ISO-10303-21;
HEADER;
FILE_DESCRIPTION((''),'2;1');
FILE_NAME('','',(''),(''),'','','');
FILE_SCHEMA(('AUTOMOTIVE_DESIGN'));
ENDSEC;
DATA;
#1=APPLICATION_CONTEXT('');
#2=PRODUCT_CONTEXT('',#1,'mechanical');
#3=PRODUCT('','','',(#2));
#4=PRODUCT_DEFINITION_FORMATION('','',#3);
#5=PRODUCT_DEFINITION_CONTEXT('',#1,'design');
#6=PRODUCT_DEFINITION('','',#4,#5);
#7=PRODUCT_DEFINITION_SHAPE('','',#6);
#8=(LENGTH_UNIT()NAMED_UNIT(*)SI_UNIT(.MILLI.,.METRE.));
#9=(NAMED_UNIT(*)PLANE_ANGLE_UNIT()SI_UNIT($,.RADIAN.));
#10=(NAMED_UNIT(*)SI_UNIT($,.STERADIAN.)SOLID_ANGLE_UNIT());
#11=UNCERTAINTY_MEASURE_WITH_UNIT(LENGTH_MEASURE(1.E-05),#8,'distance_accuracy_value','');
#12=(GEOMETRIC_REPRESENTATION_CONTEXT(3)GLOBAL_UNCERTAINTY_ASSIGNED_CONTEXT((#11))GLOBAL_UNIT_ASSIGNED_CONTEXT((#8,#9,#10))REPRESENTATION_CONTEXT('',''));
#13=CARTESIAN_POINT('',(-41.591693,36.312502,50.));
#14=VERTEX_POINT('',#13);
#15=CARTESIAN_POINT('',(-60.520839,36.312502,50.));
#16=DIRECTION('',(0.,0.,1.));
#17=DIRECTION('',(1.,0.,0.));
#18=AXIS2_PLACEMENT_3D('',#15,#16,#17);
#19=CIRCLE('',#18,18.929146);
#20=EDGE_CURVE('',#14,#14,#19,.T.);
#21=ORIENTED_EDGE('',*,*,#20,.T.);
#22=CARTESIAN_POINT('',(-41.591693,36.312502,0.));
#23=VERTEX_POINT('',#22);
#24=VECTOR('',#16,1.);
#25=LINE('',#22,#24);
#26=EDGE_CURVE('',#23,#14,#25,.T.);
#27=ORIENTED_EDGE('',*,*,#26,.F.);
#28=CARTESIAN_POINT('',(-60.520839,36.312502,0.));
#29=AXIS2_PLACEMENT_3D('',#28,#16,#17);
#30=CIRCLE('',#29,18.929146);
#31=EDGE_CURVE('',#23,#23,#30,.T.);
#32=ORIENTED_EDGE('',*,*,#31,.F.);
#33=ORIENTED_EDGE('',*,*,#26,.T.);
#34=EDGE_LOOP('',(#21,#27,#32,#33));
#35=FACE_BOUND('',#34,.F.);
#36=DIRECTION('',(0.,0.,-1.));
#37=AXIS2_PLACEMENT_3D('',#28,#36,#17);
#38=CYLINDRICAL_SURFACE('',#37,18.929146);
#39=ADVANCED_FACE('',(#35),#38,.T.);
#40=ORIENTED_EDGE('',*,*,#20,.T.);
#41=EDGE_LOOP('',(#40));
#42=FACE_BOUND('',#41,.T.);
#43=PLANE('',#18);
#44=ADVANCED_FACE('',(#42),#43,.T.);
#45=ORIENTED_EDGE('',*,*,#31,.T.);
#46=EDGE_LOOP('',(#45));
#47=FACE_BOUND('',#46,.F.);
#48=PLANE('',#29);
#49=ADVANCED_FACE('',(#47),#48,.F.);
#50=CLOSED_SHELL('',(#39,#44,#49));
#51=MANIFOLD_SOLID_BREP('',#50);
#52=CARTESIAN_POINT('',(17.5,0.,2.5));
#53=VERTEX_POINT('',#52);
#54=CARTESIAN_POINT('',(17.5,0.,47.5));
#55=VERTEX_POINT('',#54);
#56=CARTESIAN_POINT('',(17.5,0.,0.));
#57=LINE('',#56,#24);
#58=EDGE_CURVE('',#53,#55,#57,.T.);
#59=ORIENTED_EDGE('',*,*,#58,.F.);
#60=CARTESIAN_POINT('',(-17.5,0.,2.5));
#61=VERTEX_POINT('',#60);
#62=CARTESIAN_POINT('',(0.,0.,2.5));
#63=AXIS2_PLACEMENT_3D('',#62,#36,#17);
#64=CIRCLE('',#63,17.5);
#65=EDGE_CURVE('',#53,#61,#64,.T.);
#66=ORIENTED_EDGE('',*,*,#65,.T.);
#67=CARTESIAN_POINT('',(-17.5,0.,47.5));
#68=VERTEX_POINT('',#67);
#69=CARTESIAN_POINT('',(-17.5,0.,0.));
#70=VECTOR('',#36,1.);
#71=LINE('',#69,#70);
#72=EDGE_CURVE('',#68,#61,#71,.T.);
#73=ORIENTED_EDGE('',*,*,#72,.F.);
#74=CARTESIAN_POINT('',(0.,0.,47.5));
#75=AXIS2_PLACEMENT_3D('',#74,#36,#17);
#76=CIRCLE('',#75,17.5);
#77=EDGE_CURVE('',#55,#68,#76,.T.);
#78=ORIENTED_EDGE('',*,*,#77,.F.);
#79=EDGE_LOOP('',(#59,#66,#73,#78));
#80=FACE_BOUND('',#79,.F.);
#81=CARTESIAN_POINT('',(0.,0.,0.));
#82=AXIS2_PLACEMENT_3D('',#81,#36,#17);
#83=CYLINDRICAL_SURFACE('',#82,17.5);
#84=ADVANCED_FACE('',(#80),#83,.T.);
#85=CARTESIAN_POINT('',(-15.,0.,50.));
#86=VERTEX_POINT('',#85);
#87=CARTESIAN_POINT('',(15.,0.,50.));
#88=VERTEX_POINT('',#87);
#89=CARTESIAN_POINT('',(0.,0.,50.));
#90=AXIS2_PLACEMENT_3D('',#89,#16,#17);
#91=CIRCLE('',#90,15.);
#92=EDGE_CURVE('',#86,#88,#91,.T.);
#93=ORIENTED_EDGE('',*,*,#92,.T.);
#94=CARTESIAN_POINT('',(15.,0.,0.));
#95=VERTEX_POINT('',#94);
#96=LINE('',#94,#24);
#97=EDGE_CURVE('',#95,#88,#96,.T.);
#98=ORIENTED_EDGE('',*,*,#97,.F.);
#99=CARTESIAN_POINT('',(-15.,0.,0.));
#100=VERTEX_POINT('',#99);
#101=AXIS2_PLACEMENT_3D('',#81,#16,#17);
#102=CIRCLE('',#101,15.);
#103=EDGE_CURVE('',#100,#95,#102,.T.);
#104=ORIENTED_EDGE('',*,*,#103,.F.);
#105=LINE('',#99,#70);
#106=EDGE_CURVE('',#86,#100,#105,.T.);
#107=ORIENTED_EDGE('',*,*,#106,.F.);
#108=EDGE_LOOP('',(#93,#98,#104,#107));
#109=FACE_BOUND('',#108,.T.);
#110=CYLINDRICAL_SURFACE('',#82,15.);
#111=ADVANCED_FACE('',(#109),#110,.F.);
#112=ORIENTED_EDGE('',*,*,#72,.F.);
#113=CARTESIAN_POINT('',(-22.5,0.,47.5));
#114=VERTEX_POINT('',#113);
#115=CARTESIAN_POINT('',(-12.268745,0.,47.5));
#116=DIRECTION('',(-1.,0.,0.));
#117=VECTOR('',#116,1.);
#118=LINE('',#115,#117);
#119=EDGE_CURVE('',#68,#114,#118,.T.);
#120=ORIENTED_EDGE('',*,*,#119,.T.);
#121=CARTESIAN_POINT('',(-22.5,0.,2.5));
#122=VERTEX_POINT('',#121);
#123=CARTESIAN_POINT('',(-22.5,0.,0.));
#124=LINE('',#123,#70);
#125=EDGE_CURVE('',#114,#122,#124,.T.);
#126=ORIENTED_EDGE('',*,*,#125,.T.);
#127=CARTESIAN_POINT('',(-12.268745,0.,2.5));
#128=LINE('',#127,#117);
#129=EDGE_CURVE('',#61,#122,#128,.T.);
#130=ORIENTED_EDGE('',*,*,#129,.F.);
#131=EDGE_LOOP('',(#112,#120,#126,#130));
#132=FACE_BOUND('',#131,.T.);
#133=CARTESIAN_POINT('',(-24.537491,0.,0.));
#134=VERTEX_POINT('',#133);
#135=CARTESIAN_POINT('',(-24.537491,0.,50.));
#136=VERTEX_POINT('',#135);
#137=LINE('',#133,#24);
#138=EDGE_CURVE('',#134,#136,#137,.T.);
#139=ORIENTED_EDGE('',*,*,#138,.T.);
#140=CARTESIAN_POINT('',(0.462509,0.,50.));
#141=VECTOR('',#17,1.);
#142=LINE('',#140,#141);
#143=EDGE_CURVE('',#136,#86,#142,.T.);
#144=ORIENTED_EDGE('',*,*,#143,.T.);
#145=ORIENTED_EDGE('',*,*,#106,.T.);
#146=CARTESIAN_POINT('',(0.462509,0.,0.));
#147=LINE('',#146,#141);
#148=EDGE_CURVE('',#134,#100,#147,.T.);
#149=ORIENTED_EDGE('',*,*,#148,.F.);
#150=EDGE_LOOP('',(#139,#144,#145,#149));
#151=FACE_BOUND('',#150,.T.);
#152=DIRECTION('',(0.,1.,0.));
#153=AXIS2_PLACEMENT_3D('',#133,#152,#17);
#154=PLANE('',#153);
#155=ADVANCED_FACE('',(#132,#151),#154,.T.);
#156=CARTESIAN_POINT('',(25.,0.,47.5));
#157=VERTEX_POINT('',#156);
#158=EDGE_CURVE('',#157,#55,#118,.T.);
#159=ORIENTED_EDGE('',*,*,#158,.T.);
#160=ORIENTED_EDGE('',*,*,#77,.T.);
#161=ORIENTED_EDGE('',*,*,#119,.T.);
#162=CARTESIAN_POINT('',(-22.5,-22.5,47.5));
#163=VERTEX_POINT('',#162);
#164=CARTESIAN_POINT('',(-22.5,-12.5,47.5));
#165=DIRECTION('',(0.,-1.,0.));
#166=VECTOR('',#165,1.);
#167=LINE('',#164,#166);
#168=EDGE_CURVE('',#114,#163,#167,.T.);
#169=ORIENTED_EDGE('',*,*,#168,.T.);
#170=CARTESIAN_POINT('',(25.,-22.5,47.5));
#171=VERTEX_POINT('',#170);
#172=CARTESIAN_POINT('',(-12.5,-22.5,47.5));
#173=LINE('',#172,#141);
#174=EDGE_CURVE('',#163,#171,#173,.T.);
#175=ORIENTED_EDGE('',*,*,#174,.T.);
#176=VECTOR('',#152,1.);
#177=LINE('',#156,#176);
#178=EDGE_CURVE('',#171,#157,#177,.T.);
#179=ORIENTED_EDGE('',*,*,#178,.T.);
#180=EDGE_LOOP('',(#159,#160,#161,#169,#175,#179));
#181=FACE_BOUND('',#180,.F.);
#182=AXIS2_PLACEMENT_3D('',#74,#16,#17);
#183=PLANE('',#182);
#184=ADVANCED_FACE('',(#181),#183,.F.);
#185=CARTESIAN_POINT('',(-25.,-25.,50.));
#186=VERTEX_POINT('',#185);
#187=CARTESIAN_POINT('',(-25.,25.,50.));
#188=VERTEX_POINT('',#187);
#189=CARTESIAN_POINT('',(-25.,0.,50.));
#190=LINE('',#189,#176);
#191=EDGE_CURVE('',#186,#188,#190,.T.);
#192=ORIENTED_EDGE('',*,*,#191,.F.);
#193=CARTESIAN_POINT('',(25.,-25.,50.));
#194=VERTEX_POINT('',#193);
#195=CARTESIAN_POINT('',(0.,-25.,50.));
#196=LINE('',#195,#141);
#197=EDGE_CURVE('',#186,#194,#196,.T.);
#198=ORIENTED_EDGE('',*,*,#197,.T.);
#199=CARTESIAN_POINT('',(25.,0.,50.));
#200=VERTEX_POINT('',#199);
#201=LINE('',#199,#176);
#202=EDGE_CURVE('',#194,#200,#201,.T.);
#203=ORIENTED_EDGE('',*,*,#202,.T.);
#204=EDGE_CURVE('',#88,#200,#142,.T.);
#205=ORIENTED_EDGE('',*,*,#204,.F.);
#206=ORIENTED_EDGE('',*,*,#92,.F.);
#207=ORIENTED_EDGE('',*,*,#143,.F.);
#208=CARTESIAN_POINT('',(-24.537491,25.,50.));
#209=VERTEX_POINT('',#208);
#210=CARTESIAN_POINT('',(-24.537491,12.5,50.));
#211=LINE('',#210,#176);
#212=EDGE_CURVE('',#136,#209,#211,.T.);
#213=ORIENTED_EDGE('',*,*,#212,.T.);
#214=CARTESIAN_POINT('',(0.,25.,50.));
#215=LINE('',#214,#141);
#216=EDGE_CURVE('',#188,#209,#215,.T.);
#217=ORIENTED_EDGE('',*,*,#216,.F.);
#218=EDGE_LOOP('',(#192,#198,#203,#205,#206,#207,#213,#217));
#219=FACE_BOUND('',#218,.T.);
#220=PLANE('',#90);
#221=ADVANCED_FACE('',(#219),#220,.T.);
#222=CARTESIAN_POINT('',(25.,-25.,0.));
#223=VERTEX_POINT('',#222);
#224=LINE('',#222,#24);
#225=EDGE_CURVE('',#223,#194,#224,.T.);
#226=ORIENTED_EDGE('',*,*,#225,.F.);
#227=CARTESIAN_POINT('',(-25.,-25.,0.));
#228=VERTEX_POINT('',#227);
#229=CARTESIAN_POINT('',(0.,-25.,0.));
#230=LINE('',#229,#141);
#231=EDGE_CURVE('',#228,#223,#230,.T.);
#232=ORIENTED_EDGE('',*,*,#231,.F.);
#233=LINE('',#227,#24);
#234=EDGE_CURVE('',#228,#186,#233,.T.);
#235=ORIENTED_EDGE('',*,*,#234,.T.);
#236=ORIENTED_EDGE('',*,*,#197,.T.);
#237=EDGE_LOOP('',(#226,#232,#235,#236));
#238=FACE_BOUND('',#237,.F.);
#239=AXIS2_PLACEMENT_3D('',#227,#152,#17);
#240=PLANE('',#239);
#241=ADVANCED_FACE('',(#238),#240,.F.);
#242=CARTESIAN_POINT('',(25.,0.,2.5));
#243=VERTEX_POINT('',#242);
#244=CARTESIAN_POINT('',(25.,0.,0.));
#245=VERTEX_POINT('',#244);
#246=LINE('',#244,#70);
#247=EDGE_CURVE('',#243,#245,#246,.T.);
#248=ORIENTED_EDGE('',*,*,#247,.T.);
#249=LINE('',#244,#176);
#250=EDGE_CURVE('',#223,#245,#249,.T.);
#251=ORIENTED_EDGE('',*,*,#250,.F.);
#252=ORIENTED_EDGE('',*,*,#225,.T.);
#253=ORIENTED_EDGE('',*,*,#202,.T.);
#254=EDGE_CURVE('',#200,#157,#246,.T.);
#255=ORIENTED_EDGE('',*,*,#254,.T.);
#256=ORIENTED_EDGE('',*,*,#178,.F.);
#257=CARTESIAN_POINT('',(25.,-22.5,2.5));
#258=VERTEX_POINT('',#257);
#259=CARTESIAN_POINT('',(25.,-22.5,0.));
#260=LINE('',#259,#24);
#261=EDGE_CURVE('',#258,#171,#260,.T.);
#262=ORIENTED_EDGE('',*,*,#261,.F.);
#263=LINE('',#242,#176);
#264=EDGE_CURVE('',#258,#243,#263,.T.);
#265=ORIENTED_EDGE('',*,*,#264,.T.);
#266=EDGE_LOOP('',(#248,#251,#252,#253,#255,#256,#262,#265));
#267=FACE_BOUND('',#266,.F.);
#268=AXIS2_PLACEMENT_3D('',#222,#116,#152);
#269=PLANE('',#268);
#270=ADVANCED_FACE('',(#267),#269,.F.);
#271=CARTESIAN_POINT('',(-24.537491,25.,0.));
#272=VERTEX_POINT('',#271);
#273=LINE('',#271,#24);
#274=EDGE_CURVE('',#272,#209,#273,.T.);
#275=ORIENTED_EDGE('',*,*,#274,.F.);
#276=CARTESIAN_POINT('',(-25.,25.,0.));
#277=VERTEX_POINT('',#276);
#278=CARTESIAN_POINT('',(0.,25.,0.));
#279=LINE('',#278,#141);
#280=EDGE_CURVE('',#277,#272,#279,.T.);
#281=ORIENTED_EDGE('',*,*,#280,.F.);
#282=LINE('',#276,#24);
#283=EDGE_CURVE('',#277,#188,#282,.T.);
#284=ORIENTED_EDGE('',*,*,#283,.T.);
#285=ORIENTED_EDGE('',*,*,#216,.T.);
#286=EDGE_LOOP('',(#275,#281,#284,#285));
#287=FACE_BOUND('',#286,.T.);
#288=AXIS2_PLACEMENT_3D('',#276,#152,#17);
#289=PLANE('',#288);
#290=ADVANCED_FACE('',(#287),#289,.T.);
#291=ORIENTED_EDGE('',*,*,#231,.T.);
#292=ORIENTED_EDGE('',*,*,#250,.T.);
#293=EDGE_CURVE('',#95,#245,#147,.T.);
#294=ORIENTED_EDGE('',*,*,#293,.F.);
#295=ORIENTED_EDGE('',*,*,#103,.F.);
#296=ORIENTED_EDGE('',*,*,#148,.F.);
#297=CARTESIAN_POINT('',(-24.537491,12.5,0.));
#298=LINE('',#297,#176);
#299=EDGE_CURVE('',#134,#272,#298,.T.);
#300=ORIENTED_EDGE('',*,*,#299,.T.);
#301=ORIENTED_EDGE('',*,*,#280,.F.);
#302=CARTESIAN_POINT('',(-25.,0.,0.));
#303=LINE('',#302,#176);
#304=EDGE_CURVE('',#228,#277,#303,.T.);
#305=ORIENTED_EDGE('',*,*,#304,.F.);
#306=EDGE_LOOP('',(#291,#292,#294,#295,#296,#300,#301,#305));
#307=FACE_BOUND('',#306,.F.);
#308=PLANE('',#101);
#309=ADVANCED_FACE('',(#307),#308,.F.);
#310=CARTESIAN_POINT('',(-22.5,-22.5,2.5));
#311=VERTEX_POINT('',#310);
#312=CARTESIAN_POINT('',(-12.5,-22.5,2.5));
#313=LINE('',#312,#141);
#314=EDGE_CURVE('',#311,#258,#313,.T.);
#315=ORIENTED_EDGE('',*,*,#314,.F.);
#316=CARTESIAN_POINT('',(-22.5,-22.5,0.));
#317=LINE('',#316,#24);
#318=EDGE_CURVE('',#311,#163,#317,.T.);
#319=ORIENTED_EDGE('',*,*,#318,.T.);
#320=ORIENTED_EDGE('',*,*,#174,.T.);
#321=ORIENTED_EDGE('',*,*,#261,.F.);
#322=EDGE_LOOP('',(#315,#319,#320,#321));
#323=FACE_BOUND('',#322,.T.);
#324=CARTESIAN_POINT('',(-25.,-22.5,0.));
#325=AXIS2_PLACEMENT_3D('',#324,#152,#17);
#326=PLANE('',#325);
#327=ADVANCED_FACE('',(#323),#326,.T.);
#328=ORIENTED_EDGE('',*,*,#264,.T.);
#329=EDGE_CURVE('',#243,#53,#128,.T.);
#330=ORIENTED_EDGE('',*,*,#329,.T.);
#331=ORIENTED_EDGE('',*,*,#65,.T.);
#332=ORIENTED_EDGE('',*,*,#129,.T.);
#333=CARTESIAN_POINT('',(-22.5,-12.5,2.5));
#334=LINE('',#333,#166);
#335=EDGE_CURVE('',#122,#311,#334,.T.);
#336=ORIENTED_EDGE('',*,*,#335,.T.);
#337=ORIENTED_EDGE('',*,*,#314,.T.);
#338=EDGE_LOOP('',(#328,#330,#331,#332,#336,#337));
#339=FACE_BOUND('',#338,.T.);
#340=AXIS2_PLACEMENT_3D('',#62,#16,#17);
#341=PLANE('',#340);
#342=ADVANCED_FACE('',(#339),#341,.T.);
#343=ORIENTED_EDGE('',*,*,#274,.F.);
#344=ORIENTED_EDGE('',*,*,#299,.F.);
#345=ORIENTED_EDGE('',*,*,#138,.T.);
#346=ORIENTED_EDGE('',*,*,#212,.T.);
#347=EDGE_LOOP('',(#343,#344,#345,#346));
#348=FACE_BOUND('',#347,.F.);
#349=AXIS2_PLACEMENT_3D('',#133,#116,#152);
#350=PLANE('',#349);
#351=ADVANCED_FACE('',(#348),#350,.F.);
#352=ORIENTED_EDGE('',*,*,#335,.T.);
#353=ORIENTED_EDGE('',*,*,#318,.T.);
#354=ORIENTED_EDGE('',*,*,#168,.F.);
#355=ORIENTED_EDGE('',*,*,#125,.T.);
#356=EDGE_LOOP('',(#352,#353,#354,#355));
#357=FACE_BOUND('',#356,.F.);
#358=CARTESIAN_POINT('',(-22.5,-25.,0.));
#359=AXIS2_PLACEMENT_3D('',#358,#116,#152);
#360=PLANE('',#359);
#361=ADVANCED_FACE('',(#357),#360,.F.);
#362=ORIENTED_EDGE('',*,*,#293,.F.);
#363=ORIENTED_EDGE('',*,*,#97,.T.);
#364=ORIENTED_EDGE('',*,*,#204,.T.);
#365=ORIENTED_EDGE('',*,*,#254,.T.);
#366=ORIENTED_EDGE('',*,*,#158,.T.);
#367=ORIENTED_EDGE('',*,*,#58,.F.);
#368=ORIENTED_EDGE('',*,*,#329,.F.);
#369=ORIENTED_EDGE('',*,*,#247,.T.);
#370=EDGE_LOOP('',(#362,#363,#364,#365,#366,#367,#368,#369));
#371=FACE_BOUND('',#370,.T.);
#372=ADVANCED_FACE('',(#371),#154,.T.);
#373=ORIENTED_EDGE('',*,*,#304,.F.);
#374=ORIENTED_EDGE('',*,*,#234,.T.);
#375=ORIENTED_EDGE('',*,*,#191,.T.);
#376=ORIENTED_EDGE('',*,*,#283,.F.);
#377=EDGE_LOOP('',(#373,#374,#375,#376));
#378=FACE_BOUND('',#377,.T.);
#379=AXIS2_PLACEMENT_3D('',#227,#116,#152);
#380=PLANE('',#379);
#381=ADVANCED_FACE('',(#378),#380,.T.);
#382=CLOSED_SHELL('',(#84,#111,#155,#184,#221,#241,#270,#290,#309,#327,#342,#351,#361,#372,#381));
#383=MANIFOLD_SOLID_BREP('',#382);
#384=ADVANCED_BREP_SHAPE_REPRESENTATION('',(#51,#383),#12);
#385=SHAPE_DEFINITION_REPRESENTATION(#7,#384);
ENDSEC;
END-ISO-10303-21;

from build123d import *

# Parameters (mm, degrees)
F0_W     = 50
F0_H     = 50
F1_DEPTH = 50
F2_R     = 18.929146
F3_DEPTH = 50
F4_R     = 15
F5_DEPTH = 50
F6_T     = -2.5
F7_W     = 50
F7_H     = 25
F8_DEPTH = 50


with BuildPart() as f1:
    # F0 (on Top) → F1 (new body)
    with BuildSketch(Plane.XY):
        Rectangle(F0_W, F0_H)
    extrude(amount=F1_DEPTH)

    # F4 (on Top) → F5 (cut)
    with BuildSketch(Plane.XY):
        Circle(F4_R)
    extrude(amount=F5_DEPTH, mode=Mode.SUBTRACT)

    # F6
    f6_openings = [f1.faces().sort_by_distance(p)[0] for p in [
        (25, 0, 25),
    ]]
    offset(amount=F6_T, openings=f6_openings)

    # F7 (on Top) → F8 (cut)
    with BuildSketch(Plane.XY):
        with Locations((0.462509, 12.5)):
            Rectangle(F7_W, F7_H)
    extrude(amount=F8_DEPTH, mode=Mode.SUBTRACT)


with BuildPart() as f3:
    # F2 (on Top) → F3 (new body)
    with BuildSketch(Plane.XY):
        with Locations((-60.520839, 36.312502)):
            Circle(F2_R)
    extrude(amount=F3_DEPTH)


solid = Compound([f1.part, f3.part])
